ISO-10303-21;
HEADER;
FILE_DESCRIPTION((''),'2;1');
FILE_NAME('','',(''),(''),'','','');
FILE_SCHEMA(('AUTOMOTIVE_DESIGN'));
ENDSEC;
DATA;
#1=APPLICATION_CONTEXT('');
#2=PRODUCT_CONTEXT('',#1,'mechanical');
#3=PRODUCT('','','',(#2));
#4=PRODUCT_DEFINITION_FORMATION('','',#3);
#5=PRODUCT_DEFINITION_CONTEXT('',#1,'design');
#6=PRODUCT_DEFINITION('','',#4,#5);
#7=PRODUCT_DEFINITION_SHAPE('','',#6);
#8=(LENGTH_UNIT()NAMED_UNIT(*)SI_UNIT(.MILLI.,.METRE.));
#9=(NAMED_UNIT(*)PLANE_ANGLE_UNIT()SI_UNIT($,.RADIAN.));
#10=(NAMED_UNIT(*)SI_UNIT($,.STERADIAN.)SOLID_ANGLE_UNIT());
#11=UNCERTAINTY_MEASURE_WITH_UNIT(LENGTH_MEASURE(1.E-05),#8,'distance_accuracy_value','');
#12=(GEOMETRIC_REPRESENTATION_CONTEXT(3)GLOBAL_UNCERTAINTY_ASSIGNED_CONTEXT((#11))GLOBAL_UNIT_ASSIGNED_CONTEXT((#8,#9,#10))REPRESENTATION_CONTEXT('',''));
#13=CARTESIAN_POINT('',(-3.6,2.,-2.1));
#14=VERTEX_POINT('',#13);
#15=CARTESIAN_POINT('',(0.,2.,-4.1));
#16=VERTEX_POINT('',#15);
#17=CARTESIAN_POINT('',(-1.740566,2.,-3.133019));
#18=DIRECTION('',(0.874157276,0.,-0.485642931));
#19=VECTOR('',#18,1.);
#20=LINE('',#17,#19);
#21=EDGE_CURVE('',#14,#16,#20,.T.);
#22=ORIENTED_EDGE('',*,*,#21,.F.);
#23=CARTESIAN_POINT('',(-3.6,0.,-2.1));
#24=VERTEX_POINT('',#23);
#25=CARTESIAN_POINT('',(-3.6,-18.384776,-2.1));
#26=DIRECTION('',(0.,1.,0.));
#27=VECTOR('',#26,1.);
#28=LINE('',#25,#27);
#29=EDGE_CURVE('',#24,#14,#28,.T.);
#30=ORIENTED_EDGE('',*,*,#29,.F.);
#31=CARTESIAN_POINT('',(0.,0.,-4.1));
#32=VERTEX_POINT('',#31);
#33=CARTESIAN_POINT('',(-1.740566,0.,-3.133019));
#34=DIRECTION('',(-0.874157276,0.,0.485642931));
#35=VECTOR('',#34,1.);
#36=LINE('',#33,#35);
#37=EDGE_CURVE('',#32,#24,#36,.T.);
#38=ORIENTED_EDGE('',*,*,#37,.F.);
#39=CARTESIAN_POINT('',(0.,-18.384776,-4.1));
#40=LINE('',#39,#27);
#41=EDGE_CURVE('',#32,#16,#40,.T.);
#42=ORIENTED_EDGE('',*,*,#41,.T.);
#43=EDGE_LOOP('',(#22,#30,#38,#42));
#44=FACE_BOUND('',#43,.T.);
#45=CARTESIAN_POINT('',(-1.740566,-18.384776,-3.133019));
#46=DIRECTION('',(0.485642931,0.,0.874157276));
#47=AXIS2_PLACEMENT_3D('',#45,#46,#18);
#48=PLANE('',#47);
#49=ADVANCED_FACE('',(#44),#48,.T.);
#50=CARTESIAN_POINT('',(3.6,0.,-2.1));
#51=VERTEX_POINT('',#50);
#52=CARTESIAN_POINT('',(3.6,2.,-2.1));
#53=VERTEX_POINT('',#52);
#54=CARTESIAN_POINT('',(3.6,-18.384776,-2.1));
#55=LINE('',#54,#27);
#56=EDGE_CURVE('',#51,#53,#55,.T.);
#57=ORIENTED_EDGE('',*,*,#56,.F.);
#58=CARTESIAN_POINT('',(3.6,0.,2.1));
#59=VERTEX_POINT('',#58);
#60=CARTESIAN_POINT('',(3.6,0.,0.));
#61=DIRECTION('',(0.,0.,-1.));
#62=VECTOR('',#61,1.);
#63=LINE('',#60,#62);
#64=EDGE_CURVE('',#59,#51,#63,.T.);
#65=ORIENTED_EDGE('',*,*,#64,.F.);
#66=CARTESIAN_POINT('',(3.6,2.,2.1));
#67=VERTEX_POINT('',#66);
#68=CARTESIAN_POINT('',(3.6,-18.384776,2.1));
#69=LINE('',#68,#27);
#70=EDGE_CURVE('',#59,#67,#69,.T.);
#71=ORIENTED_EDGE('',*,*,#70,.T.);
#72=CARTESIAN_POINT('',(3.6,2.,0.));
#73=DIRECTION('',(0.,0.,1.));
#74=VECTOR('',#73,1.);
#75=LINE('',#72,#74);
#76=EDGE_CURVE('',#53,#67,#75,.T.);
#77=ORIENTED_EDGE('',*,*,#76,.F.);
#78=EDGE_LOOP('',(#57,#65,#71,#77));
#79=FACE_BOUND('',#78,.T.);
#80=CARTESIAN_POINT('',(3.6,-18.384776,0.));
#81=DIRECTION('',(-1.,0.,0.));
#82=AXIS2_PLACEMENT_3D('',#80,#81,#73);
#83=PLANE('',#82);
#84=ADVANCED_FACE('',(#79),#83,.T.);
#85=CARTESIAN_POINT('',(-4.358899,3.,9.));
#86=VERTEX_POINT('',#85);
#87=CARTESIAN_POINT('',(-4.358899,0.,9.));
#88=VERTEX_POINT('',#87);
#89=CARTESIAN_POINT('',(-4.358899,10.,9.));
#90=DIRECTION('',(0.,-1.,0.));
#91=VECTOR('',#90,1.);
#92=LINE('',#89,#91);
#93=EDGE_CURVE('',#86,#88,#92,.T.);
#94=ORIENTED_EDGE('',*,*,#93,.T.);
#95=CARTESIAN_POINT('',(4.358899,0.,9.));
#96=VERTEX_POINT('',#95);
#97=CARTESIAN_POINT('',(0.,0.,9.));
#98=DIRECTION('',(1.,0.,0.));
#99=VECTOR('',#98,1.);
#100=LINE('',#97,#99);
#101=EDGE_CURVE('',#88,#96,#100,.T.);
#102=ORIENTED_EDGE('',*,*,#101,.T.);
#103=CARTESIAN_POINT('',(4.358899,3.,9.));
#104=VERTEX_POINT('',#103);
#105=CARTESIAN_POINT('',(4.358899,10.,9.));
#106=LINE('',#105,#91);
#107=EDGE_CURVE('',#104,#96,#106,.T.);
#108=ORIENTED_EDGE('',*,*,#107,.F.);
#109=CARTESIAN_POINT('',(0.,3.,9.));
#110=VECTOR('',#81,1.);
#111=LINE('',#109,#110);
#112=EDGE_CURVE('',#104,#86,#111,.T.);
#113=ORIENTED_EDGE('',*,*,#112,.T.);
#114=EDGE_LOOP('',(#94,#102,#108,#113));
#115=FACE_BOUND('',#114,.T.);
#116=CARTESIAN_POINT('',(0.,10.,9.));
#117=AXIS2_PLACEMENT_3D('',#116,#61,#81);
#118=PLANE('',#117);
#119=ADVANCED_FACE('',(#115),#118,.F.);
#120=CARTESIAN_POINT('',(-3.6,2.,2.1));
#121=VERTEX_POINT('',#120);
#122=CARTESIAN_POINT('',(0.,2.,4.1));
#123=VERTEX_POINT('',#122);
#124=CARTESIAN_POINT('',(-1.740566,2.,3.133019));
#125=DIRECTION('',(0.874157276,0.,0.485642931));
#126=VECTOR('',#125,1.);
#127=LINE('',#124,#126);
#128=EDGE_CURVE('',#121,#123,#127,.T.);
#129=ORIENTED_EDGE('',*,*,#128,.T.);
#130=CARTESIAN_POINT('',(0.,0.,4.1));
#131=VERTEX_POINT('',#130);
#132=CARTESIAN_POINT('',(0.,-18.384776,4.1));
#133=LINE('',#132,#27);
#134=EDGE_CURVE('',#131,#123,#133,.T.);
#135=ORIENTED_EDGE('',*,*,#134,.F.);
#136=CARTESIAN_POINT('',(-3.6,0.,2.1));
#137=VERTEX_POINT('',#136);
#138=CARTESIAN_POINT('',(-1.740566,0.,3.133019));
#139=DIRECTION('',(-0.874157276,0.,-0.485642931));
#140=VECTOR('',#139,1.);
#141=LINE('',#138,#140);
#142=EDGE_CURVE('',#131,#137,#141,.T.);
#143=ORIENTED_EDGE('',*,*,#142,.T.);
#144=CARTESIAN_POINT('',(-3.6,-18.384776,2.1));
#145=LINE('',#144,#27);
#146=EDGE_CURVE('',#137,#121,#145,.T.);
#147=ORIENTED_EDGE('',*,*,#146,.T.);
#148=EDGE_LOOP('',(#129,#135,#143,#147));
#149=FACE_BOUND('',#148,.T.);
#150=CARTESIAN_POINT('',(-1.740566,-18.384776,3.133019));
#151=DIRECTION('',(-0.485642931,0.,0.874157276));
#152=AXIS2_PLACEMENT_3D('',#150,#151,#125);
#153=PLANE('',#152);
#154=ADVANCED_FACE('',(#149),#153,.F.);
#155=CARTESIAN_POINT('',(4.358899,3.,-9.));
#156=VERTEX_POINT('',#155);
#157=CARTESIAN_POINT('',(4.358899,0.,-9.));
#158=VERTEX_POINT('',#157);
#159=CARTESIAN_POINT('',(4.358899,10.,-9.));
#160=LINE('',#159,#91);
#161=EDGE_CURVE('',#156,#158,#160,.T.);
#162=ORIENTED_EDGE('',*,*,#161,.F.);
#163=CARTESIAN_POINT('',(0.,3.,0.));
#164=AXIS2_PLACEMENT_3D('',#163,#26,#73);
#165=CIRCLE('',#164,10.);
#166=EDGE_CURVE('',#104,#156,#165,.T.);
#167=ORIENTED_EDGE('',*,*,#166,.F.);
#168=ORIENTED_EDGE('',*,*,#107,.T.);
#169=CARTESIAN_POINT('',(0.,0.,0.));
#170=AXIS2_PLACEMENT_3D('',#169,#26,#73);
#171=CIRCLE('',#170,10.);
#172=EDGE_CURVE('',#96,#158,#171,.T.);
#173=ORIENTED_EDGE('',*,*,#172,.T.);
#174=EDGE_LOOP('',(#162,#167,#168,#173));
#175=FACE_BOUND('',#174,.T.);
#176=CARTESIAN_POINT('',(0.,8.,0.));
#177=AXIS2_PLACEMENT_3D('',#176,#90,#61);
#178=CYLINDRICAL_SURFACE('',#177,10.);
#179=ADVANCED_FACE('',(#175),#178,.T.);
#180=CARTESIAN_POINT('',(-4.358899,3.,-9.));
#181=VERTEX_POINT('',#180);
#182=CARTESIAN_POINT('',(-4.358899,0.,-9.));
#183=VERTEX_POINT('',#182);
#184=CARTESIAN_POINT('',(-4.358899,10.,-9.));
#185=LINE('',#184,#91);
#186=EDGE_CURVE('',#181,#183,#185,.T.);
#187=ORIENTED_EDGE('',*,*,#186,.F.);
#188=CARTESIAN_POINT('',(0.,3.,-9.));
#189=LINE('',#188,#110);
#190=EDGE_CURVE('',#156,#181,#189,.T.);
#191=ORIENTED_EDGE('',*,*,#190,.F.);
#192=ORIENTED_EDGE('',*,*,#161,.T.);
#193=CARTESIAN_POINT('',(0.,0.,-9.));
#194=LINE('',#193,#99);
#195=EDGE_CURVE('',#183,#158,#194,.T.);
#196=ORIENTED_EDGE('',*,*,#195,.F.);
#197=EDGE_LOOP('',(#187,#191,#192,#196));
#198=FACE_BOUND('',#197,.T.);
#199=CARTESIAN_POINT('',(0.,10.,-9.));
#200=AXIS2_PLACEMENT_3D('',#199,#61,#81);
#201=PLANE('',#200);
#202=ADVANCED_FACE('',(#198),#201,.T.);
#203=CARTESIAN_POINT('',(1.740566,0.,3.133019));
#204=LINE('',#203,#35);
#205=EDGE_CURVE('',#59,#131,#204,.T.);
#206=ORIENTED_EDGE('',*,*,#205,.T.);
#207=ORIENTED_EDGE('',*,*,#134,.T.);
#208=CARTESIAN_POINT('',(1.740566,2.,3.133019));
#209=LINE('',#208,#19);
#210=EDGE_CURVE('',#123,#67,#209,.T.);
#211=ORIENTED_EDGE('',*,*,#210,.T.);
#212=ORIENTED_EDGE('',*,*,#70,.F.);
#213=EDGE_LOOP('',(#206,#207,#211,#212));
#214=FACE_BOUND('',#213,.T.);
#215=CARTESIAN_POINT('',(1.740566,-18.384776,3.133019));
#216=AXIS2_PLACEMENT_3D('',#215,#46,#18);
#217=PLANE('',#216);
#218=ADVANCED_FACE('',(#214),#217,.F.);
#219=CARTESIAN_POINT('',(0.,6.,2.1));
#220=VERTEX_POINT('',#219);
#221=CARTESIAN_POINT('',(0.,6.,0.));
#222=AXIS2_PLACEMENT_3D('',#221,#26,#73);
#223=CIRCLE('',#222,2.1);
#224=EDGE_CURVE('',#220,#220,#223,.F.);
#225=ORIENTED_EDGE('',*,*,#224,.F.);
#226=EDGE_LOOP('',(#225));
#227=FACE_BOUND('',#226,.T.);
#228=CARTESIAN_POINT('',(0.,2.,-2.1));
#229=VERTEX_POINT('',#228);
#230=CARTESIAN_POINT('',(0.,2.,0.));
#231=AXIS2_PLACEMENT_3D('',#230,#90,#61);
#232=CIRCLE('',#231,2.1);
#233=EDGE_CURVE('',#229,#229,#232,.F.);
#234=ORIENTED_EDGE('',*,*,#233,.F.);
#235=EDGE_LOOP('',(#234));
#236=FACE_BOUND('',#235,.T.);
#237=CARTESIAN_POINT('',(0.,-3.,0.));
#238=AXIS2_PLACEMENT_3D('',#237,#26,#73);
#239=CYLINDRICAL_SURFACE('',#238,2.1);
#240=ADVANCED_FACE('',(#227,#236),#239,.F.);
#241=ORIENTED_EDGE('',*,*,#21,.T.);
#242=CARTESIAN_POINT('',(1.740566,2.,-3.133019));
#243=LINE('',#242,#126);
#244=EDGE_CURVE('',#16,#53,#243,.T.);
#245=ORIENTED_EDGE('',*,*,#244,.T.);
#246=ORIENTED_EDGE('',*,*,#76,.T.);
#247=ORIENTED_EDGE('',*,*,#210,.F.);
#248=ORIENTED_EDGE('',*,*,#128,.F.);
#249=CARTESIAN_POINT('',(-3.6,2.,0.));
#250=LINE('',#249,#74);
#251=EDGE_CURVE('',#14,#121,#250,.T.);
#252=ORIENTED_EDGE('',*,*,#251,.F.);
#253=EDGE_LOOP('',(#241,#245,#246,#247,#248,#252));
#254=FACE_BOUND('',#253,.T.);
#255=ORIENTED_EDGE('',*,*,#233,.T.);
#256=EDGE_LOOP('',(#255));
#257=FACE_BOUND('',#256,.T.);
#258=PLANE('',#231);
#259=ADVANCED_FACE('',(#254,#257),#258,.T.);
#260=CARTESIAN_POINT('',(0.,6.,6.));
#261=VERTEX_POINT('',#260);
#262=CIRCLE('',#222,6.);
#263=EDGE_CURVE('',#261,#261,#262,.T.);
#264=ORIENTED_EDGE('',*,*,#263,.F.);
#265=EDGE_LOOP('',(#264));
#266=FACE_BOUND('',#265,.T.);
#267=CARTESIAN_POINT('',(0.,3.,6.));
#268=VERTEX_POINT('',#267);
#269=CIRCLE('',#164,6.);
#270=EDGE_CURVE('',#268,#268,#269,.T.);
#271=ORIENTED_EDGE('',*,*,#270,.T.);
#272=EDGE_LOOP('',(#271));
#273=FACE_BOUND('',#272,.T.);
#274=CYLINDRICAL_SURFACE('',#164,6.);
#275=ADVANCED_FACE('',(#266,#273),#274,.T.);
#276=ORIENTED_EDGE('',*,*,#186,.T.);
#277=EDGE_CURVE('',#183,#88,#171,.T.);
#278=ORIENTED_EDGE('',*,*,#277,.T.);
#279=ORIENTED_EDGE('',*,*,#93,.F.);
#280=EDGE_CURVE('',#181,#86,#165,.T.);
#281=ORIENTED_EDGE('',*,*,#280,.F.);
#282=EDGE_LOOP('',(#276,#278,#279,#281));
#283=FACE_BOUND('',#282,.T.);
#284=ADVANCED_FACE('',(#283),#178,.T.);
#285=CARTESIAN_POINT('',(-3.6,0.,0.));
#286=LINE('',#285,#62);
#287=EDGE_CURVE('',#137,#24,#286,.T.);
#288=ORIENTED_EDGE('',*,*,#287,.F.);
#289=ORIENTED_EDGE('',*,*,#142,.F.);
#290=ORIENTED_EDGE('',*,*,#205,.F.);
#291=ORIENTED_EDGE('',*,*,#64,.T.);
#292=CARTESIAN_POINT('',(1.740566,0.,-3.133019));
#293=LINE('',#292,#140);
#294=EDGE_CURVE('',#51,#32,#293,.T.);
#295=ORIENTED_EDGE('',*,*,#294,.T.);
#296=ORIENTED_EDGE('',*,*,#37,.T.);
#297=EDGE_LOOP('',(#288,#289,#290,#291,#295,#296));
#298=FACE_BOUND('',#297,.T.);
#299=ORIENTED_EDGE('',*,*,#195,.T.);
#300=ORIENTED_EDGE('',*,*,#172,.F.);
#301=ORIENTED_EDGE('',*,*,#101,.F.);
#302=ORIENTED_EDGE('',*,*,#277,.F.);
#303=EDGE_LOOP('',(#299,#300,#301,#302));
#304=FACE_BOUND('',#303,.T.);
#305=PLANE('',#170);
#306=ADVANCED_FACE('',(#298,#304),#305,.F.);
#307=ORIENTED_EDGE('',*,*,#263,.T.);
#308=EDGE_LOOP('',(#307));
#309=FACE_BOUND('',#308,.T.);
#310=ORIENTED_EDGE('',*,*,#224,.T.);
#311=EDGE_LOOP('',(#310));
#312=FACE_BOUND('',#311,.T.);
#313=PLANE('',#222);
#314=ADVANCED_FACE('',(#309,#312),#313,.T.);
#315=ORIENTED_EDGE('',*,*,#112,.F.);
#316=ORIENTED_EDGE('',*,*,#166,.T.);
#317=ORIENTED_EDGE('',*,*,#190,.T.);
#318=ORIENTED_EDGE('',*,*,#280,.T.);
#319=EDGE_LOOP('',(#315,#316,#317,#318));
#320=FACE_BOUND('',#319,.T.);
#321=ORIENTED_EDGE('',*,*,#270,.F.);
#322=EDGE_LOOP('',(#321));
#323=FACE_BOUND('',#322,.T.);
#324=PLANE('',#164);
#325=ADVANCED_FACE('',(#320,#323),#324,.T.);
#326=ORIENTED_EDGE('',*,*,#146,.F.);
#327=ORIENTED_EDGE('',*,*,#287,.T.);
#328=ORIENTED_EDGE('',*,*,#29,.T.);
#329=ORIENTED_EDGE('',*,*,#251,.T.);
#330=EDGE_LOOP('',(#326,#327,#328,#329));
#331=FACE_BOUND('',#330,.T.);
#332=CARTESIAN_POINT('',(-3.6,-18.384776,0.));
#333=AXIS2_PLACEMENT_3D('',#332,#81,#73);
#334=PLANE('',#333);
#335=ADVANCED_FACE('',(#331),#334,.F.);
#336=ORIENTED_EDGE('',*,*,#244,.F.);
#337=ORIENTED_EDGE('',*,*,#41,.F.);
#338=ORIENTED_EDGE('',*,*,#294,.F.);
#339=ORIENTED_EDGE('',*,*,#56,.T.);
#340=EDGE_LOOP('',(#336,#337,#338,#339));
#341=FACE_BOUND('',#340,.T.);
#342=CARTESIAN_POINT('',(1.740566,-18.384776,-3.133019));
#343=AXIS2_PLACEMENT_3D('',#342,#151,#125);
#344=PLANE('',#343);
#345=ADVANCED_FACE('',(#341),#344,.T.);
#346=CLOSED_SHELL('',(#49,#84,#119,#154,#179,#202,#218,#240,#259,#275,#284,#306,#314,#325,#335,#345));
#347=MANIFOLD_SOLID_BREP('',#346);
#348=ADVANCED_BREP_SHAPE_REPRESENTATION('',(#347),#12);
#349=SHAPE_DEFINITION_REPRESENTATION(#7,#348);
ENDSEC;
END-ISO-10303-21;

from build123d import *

# Parameters (mm, degrees)
SKETCH1_R           = 10
BOSS_EXTRUDE2_DEPTH = 8
SKETCH3_R           = 10
SKETCH3_R_2         = 6
CUT_EXTRUDE1_DEPTH  = 5
SKETCH4_R           = 2.1
CUT_EXTRUDE2_DEPTH  = 11
SKETCH5_R           = 6
CUT_EXTRUDE3_DEPTH  = 1.5
SKETCH6_R           = 6.5
CUT_EXTRUDE4_DEPTH  = 2
SKETCH7_R           = 6
CUT_EXTRUDE5_DEPTH  = 1
SKETCH8_R           = 6
CUT_EXTRUDE6_DEPTH  = 1
SKETCH9_R           = 6.5
BOSS_EXTRUDE3_DEPTH = 2
CUT_EXTRUDE7_DEPTH  = 10


with BuildPart() as part:
    # Sketch1 → Boss-Extrude2 (new body)
    with BuildSketch(Plane(origin=(0, 0, 0), x_dir=(1, 0, 0), z_dir=(0, 1, 0))):
        Circle(SKETCH1_R)
    extrude(amount=BOSS_EXTRUDE2_DEPTH)

    # Sketch3 → Cut-Extrude1 (cut)
    with BuildSketch(Plane(origin=(0, 8, 0), x_dir=(1, 0, 0), z_dir=(0, 1, 0))):
        Circle(SKETCH3_R)
        Circle(SKETCH3_R_2, mode=Mode.SUBTRACT)
    extrude(amount=-CUT_EXTRUDE1_DEPTH, mode=Mode.SUBTRACT)

    # Sketch4 → Cut-Extrude2 (cut)
    with BuildSketch(Plane(origin=(0, 8, 0), x_dir=(1, 0, 0), z_dir=(0, 1, 0))):
        Circle(SKETCH4_R)
    extrude(amount=-CUT_EXTRUDE2_DEPTH, mode=Mode.SUBTRACT)

    # Sketch5 → Cut-Extrude3 (cut)
    with BuildSketch(Plane.XZ):
        Circle(SKETCH5_R)
    extrude(amount=-CUT_EXTRUDE3_DEPTH, mode=Mode.SUBTRACT)

    # Sketch6 → Cut-Extrude4 (cut)
    with BuildSketch(Plane.XZ):
        Circle(SKETCH6_R)
    extrude(amount=-CUT_EXTRUDE4_DEPTH, mode=Mode.SUBTRACT)

    # Sketch7 → Cut-Extrude5 (cut)
    with BuildSketch(Plane(origin=(0, 8, 0), x_dir=(1, 0, 0), z_dir=(0, 1, 0))):
        Circle(SKETCH7_R)
    extrude(amount=-CUT_EXTRUDE5_DEPTH, mode=Mode.SUBTRACT)

    # Sketch8 → Cut-Extrude6 (cut)
    with BuildSketch(Plane(origin=(0, 7, 0), x_dir=(1, 0, 0), z_dir=(0, 1, 0))):
        Circle(SKETCH8_R)
    extrude(amount=-CUT_EXTRUDE6_DEPTH, mode=Mode.SUBTRACT)

    # Sketch9 → Boss-Extrude3 (add)
    with BuildSketch(Plane.XZ.offset(-2)):
        Circle(SKETCH9_R)
        Polygon((-3.6, -2.1), (0, -4.1), (3.6, -2.1), (3.6, 2.1), (0, 4.1), (-3.6, 2.1), align=None, mode=Mode.SUBTRACT)
    extrude(amount=BOSS_EXTRUDE3_DEPTH)

    # Sketch10 → Cut-Extrude7 (cut)
    with BuildSketch(Plane(origin=(0, 0, 0), x_dir=(-1, 0, 0), z_dir=(0, -1, 0))):
        with BuildLine():
            ThreePointArc((-4.358898944, -9), (0, -10), (4.358898944, -9))
            Line((4.358898944, -9), (-4.358898944, -9))
        make_face()
        with BuildLine():
            ThreePointArc((4.358898944, 9), (0, 10), (-4.358898944, 9))
            Line((-4.358898944, 9), (4.358898944, 9))
        make_face()
    extrude(amount=-CUT_EXTRUDE7_DEPTH, mode=Mode.SUBTRACT)


solid = part.part
